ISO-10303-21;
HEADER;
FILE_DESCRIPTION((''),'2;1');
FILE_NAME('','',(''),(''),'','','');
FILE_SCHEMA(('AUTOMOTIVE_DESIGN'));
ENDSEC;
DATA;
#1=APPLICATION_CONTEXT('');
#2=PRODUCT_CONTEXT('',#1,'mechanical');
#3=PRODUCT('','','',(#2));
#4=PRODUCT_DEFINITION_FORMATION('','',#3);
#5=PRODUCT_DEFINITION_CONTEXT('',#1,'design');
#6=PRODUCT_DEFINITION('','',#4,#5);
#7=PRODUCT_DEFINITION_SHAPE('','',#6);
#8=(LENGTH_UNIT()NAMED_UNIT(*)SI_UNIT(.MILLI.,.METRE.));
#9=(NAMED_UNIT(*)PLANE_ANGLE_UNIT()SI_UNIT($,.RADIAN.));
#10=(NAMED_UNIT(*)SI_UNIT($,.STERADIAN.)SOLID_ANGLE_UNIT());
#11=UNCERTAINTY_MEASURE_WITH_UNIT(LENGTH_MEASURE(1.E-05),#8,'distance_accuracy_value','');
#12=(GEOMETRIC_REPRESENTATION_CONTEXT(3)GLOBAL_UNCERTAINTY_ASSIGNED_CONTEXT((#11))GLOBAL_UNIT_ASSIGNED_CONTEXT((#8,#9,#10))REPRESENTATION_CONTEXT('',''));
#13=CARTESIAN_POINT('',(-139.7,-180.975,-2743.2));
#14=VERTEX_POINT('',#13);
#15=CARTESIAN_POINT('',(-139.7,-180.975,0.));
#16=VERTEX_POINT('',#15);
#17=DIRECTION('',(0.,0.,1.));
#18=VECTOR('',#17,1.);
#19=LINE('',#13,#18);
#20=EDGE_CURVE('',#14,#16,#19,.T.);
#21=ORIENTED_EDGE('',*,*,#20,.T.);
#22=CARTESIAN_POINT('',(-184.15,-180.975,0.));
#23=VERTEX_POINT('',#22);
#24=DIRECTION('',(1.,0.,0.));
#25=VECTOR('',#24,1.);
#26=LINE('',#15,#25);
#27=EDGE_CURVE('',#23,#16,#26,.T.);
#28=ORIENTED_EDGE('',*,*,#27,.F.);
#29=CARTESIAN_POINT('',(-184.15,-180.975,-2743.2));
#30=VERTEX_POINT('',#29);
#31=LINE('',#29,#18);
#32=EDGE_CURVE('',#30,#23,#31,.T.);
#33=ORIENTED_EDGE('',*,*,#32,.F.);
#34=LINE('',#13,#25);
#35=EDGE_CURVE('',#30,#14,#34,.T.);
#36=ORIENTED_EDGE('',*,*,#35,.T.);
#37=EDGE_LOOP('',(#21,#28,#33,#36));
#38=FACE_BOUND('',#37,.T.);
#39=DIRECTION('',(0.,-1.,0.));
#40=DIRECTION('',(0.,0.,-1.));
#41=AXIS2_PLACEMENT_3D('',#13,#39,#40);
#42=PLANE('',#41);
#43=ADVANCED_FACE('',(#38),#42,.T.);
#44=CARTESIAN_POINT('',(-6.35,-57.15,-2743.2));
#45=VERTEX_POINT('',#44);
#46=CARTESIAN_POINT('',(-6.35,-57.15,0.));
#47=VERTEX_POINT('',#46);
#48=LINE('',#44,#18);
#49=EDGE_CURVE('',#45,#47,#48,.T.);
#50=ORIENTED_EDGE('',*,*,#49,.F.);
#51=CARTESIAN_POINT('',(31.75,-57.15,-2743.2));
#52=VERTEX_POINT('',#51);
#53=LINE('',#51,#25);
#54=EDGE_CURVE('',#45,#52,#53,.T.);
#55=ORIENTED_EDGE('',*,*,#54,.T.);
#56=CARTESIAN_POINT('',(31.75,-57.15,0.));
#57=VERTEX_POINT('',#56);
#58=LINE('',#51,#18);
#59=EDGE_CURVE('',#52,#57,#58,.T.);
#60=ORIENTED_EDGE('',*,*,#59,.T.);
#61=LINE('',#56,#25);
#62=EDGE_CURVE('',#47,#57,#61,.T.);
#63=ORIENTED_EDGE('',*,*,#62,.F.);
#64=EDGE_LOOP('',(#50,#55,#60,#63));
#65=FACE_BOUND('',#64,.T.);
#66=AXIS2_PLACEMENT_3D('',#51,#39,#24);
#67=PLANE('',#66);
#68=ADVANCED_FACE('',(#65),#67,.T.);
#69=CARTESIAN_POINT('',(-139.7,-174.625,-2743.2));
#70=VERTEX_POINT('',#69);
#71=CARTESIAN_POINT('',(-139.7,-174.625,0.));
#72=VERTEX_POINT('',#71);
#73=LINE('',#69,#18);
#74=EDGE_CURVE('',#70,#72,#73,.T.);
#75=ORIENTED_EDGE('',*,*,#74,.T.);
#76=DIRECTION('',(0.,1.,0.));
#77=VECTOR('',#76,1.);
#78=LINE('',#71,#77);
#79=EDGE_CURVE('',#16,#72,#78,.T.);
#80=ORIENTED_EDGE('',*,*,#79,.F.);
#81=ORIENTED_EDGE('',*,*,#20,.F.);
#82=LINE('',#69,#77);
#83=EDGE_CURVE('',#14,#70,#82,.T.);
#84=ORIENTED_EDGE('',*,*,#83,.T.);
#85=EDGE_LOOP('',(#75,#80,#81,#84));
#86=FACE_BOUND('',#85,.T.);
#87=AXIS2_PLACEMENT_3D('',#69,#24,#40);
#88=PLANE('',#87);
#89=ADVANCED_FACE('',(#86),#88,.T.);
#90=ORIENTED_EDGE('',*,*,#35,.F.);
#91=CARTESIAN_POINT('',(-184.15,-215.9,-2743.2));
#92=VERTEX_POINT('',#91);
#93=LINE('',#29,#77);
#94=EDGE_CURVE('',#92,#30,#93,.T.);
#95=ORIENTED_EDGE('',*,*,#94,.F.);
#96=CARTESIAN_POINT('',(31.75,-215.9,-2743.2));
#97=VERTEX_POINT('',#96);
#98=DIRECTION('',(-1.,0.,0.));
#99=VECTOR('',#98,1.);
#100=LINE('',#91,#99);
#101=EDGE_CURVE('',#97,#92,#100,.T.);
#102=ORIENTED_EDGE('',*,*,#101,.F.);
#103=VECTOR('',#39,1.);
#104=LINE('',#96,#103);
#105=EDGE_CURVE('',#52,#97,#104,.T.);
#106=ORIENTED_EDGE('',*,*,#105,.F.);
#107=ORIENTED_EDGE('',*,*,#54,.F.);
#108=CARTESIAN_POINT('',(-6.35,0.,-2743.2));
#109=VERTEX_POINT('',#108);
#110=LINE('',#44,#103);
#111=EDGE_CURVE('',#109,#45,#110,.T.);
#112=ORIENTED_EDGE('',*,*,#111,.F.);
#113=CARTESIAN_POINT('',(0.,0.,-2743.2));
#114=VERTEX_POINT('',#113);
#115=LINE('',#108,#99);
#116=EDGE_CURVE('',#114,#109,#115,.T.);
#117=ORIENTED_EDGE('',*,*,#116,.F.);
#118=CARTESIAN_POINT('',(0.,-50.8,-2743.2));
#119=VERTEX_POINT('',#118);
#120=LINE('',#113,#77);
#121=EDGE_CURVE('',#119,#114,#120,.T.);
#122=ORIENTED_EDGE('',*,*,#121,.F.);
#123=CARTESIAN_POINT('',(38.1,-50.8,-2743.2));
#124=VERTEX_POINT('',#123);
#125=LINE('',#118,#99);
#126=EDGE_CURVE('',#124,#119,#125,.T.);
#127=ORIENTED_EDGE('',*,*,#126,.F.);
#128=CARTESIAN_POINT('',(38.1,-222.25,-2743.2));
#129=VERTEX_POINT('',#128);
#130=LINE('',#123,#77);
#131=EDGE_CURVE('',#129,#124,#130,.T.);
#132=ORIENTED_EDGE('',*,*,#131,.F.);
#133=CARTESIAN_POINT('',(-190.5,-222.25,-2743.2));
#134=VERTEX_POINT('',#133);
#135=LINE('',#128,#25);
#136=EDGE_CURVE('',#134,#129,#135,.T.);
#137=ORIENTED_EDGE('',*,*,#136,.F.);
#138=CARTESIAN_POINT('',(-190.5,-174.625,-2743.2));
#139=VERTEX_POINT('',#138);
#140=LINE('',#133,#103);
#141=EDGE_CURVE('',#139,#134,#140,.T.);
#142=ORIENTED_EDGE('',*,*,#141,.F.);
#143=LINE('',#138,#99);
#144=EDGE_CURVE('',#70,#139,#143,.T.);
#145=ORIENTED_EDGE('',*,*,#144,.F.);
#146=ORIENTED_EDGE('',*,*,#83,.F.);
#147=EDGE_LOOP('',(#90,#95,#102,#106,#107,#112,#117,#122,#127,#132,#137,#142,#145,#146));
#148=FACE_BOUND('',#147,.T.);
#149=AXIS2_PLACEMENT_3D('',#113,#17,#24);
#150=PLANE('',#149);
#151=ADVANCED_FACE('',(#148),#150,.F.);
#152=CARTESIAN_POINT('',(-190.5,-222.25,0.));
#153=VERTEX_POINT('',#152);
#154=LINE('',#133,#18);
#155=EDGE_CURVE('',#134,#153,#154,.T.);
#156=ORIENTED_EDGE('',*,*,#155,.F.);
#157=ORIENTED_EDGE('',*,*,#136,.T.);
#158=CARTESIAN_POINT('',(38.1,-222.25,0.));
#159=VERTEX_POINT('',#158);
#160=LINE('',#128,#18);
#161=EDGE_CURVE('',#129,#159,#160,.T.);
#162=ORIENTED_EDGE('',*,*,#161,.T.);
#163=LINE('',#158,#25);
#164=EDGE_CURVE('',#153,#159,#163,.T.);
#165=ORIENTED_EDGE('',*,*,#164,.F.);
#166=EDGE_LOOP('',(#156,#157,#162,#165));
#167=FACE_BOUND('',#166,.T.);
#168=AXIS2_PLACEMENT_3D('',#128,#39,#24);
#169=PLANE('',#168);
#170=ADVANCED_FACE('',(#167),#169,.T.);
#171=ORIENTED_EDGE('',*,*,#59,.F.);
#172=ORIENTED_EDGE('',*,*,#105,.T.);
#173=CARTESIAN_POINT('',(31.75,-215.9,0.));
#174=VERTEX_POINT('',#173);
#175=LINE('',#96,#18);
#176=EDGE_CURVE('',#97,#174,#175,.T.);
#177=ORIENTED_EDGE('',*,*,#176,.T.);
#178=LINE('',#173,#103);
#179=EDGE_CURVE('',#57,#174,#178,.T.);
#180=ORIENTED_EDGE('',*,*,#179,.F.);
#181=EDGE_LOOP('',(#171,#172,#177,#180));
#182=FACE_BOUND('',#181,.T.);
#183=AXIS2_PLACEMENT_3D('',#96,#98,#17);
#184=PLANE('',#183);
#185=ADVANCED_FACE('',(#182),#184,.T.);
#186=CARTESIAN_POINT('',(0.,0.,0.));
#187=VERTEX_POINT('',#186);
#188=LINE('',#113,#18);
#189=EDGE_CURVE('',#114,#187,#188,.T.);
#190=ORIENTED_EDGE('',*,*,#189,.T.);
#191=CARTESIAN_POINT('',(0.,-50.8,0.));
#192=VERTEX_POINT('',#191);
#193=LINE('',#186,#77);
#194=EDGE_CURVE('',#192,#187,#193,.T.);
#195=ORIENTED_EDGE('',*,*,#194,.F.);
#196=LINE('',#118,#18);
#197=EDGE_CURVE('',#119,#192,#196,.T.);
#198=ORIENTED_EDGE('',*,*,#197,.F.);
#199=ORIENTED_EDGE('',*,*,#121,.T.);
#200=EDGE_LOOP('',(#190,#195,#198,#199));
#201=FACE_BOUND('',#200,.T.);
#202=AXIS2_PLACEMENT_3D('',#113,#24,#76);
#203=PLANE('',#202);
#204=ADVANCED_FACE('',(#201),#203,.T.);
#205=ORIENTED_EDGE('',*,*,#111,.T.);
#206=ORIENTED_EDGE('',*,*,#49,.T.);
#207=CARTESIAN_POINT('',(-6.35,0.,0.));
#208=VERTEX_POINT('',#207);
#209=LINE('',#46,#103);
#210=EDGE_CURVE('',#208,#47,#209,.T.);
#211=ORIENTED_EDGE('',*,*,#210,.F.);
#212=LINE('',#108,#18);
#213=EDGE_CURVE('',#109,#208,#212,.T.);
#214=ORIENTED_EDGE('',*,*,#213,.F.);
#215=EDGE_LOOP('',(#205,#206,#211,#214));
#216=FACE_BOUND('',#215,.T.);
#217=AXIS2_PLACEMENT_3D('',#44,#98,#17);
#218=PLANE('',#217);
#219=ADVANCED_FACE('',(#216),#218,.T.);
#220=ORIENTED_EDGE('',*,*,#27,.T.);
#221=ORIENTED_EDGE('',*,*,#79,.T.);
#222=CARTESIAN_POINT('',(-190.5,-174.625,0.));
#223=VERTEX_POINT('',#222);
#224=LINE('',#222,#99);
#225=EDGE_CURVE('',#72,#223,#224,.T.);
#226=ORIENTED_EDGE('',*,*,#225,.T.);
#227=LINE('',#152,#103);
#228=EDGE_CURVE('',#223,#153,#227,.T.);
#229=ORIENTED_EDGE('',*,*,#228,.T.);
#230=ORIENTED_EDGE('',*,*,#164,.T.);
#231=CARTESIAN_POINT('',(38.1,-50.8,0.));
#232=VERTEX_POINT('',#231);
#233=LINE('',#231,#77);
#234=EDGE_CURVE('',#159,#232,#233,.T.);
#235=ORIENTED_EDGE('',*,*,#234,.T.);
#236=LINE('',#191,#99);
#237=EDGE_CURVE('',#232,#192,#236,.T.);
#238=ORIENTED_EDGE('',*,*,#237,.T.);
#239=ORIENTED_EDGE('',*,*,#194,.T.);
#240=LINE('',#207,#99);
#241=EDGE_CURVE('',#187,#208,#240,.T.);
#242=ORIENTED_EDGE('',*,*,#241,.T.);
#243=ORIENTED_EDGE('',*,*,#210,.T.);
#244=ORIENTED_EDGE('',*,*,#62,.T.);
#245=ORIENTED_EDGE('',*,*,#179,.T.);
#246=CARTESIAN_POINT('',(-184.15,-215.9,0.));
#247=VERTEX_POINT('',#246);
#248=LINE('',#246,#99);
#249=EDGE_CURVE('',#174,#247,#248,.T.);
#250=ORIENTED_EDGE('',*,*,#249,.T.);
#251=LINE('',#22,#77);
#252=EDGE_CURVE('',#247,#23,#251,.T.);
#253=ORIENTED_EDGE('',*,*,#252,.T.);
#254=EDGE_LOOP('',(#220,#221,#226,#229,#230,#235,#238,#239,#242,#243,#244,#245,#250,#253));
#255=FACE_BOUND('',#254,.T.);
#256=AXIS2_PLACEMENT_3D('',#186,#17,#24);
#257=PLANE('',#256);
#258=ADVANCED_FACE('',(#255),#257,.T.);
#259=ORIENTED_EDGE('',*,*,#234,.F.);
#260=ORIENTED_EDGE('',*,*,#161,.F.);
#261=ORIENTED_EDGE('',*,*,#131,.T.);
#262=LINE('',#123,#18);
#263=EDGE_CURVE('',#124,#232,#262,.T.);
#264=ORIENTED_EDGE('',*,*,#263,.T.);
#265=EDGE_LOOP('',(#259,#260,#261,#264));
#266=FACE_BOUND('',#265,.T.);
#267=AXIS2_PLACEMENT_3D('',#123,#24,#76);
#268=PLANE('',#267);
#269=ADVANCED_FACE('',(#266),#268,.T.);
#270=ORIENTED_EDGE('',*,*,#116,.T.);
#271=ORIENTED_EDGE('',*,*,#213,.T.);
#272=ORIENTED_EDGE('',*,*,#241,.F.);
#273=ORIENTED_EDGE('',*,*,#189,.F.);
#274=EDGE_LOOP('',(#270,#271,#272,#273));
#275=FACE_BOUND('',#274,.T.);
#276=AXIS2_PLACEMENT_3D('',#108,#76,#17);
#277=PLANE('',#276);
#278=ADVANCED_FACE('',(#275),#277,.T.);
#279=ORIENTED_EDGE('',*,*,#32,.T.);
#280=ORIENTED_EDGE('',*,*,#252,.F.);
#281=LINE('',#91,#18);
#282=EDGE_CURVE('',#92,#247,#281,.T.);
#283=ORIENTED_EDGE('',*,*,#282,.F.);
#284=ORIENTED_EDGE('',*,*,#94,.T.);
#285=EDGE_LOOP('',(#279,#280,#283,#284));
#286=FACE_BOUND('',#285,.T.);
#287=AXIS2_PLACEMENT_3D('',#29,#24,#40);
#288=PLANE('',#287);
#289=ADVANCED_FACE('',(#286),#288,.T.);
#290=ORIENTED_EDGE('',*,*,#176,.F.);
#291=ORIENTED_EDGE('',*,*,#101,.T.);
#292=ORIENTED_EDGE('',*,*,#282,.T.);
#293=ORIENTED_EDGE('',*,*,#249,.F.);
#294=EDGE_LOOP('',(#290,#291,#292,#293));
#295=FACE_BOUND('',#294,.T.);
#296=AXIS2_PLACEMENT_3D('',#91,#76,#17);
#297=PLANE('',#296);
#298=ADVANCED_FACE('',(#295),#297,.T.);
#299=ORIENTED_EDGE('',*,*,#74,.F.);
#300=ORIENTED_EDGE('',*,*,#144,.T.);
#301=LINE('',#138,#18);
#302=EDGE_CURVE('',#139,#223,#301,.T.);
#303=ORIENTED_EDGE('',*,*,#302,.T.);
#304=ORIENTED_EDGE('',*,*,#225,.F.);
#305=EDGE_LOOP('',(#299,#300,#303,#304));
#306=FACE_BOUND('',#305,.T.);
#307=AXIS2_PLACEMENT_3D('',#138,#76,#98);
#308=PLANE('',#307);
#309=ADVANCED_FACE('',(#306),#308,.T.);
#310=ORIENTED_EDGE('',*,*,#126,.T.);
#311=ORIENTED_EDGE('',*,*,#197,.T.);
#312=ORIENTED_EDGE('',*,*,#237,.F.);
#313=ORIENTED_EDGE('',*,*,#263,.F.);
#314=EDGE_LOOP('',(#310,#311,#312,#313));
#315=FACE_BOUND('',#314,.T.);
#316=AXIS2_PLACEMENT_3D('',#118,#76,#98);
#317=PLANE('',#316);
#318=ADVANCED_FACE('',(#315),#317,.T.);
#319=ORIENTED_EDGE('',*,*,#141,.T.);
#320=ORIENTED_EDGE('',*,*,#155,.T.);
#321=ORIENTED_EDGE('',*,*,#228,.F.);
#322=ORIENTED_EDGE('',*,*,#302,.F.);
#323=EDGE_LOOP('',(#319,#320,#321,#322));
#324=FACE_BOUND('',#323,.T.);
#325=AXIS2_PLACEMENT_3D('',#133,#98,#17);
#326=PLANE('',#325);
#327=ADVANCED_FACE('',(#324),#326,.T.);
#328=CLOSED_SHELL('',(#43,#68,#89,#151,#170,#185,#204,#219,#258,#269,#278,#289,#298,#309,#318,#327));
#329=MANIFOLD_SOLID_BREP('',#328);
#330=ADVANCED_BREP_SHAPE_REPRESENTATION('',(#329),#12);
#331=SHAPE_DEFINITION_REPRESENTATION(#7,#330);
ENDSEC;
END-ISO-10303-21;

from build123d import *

# Parameters (mm, degrees)
SALIENTE_EXTRUIR1_DEPTH = 2743.2


with BuildPart() as part:
    # Croquis1 → Saliente-Extruir1 (new body)
    with BuildSketch(Plane.XY):
        Polygon((-139.7, -174.625), (-139.7, -180.975), (-184.15, -180.975), (-184.15, -215.9), (31.75, -215.9), (31.75, -57.15), (-6.35, -57.15), (-6.35, 0), (0, 0), (0, -50.8), (38.1, -50.8), (38.1, -222.25), (-190.5, -222.25), (-190.5, -174.625), align=None)
    extrude(amount=-SALIENTE_EXTRUIR1_DEPTH)


solid = part.part
